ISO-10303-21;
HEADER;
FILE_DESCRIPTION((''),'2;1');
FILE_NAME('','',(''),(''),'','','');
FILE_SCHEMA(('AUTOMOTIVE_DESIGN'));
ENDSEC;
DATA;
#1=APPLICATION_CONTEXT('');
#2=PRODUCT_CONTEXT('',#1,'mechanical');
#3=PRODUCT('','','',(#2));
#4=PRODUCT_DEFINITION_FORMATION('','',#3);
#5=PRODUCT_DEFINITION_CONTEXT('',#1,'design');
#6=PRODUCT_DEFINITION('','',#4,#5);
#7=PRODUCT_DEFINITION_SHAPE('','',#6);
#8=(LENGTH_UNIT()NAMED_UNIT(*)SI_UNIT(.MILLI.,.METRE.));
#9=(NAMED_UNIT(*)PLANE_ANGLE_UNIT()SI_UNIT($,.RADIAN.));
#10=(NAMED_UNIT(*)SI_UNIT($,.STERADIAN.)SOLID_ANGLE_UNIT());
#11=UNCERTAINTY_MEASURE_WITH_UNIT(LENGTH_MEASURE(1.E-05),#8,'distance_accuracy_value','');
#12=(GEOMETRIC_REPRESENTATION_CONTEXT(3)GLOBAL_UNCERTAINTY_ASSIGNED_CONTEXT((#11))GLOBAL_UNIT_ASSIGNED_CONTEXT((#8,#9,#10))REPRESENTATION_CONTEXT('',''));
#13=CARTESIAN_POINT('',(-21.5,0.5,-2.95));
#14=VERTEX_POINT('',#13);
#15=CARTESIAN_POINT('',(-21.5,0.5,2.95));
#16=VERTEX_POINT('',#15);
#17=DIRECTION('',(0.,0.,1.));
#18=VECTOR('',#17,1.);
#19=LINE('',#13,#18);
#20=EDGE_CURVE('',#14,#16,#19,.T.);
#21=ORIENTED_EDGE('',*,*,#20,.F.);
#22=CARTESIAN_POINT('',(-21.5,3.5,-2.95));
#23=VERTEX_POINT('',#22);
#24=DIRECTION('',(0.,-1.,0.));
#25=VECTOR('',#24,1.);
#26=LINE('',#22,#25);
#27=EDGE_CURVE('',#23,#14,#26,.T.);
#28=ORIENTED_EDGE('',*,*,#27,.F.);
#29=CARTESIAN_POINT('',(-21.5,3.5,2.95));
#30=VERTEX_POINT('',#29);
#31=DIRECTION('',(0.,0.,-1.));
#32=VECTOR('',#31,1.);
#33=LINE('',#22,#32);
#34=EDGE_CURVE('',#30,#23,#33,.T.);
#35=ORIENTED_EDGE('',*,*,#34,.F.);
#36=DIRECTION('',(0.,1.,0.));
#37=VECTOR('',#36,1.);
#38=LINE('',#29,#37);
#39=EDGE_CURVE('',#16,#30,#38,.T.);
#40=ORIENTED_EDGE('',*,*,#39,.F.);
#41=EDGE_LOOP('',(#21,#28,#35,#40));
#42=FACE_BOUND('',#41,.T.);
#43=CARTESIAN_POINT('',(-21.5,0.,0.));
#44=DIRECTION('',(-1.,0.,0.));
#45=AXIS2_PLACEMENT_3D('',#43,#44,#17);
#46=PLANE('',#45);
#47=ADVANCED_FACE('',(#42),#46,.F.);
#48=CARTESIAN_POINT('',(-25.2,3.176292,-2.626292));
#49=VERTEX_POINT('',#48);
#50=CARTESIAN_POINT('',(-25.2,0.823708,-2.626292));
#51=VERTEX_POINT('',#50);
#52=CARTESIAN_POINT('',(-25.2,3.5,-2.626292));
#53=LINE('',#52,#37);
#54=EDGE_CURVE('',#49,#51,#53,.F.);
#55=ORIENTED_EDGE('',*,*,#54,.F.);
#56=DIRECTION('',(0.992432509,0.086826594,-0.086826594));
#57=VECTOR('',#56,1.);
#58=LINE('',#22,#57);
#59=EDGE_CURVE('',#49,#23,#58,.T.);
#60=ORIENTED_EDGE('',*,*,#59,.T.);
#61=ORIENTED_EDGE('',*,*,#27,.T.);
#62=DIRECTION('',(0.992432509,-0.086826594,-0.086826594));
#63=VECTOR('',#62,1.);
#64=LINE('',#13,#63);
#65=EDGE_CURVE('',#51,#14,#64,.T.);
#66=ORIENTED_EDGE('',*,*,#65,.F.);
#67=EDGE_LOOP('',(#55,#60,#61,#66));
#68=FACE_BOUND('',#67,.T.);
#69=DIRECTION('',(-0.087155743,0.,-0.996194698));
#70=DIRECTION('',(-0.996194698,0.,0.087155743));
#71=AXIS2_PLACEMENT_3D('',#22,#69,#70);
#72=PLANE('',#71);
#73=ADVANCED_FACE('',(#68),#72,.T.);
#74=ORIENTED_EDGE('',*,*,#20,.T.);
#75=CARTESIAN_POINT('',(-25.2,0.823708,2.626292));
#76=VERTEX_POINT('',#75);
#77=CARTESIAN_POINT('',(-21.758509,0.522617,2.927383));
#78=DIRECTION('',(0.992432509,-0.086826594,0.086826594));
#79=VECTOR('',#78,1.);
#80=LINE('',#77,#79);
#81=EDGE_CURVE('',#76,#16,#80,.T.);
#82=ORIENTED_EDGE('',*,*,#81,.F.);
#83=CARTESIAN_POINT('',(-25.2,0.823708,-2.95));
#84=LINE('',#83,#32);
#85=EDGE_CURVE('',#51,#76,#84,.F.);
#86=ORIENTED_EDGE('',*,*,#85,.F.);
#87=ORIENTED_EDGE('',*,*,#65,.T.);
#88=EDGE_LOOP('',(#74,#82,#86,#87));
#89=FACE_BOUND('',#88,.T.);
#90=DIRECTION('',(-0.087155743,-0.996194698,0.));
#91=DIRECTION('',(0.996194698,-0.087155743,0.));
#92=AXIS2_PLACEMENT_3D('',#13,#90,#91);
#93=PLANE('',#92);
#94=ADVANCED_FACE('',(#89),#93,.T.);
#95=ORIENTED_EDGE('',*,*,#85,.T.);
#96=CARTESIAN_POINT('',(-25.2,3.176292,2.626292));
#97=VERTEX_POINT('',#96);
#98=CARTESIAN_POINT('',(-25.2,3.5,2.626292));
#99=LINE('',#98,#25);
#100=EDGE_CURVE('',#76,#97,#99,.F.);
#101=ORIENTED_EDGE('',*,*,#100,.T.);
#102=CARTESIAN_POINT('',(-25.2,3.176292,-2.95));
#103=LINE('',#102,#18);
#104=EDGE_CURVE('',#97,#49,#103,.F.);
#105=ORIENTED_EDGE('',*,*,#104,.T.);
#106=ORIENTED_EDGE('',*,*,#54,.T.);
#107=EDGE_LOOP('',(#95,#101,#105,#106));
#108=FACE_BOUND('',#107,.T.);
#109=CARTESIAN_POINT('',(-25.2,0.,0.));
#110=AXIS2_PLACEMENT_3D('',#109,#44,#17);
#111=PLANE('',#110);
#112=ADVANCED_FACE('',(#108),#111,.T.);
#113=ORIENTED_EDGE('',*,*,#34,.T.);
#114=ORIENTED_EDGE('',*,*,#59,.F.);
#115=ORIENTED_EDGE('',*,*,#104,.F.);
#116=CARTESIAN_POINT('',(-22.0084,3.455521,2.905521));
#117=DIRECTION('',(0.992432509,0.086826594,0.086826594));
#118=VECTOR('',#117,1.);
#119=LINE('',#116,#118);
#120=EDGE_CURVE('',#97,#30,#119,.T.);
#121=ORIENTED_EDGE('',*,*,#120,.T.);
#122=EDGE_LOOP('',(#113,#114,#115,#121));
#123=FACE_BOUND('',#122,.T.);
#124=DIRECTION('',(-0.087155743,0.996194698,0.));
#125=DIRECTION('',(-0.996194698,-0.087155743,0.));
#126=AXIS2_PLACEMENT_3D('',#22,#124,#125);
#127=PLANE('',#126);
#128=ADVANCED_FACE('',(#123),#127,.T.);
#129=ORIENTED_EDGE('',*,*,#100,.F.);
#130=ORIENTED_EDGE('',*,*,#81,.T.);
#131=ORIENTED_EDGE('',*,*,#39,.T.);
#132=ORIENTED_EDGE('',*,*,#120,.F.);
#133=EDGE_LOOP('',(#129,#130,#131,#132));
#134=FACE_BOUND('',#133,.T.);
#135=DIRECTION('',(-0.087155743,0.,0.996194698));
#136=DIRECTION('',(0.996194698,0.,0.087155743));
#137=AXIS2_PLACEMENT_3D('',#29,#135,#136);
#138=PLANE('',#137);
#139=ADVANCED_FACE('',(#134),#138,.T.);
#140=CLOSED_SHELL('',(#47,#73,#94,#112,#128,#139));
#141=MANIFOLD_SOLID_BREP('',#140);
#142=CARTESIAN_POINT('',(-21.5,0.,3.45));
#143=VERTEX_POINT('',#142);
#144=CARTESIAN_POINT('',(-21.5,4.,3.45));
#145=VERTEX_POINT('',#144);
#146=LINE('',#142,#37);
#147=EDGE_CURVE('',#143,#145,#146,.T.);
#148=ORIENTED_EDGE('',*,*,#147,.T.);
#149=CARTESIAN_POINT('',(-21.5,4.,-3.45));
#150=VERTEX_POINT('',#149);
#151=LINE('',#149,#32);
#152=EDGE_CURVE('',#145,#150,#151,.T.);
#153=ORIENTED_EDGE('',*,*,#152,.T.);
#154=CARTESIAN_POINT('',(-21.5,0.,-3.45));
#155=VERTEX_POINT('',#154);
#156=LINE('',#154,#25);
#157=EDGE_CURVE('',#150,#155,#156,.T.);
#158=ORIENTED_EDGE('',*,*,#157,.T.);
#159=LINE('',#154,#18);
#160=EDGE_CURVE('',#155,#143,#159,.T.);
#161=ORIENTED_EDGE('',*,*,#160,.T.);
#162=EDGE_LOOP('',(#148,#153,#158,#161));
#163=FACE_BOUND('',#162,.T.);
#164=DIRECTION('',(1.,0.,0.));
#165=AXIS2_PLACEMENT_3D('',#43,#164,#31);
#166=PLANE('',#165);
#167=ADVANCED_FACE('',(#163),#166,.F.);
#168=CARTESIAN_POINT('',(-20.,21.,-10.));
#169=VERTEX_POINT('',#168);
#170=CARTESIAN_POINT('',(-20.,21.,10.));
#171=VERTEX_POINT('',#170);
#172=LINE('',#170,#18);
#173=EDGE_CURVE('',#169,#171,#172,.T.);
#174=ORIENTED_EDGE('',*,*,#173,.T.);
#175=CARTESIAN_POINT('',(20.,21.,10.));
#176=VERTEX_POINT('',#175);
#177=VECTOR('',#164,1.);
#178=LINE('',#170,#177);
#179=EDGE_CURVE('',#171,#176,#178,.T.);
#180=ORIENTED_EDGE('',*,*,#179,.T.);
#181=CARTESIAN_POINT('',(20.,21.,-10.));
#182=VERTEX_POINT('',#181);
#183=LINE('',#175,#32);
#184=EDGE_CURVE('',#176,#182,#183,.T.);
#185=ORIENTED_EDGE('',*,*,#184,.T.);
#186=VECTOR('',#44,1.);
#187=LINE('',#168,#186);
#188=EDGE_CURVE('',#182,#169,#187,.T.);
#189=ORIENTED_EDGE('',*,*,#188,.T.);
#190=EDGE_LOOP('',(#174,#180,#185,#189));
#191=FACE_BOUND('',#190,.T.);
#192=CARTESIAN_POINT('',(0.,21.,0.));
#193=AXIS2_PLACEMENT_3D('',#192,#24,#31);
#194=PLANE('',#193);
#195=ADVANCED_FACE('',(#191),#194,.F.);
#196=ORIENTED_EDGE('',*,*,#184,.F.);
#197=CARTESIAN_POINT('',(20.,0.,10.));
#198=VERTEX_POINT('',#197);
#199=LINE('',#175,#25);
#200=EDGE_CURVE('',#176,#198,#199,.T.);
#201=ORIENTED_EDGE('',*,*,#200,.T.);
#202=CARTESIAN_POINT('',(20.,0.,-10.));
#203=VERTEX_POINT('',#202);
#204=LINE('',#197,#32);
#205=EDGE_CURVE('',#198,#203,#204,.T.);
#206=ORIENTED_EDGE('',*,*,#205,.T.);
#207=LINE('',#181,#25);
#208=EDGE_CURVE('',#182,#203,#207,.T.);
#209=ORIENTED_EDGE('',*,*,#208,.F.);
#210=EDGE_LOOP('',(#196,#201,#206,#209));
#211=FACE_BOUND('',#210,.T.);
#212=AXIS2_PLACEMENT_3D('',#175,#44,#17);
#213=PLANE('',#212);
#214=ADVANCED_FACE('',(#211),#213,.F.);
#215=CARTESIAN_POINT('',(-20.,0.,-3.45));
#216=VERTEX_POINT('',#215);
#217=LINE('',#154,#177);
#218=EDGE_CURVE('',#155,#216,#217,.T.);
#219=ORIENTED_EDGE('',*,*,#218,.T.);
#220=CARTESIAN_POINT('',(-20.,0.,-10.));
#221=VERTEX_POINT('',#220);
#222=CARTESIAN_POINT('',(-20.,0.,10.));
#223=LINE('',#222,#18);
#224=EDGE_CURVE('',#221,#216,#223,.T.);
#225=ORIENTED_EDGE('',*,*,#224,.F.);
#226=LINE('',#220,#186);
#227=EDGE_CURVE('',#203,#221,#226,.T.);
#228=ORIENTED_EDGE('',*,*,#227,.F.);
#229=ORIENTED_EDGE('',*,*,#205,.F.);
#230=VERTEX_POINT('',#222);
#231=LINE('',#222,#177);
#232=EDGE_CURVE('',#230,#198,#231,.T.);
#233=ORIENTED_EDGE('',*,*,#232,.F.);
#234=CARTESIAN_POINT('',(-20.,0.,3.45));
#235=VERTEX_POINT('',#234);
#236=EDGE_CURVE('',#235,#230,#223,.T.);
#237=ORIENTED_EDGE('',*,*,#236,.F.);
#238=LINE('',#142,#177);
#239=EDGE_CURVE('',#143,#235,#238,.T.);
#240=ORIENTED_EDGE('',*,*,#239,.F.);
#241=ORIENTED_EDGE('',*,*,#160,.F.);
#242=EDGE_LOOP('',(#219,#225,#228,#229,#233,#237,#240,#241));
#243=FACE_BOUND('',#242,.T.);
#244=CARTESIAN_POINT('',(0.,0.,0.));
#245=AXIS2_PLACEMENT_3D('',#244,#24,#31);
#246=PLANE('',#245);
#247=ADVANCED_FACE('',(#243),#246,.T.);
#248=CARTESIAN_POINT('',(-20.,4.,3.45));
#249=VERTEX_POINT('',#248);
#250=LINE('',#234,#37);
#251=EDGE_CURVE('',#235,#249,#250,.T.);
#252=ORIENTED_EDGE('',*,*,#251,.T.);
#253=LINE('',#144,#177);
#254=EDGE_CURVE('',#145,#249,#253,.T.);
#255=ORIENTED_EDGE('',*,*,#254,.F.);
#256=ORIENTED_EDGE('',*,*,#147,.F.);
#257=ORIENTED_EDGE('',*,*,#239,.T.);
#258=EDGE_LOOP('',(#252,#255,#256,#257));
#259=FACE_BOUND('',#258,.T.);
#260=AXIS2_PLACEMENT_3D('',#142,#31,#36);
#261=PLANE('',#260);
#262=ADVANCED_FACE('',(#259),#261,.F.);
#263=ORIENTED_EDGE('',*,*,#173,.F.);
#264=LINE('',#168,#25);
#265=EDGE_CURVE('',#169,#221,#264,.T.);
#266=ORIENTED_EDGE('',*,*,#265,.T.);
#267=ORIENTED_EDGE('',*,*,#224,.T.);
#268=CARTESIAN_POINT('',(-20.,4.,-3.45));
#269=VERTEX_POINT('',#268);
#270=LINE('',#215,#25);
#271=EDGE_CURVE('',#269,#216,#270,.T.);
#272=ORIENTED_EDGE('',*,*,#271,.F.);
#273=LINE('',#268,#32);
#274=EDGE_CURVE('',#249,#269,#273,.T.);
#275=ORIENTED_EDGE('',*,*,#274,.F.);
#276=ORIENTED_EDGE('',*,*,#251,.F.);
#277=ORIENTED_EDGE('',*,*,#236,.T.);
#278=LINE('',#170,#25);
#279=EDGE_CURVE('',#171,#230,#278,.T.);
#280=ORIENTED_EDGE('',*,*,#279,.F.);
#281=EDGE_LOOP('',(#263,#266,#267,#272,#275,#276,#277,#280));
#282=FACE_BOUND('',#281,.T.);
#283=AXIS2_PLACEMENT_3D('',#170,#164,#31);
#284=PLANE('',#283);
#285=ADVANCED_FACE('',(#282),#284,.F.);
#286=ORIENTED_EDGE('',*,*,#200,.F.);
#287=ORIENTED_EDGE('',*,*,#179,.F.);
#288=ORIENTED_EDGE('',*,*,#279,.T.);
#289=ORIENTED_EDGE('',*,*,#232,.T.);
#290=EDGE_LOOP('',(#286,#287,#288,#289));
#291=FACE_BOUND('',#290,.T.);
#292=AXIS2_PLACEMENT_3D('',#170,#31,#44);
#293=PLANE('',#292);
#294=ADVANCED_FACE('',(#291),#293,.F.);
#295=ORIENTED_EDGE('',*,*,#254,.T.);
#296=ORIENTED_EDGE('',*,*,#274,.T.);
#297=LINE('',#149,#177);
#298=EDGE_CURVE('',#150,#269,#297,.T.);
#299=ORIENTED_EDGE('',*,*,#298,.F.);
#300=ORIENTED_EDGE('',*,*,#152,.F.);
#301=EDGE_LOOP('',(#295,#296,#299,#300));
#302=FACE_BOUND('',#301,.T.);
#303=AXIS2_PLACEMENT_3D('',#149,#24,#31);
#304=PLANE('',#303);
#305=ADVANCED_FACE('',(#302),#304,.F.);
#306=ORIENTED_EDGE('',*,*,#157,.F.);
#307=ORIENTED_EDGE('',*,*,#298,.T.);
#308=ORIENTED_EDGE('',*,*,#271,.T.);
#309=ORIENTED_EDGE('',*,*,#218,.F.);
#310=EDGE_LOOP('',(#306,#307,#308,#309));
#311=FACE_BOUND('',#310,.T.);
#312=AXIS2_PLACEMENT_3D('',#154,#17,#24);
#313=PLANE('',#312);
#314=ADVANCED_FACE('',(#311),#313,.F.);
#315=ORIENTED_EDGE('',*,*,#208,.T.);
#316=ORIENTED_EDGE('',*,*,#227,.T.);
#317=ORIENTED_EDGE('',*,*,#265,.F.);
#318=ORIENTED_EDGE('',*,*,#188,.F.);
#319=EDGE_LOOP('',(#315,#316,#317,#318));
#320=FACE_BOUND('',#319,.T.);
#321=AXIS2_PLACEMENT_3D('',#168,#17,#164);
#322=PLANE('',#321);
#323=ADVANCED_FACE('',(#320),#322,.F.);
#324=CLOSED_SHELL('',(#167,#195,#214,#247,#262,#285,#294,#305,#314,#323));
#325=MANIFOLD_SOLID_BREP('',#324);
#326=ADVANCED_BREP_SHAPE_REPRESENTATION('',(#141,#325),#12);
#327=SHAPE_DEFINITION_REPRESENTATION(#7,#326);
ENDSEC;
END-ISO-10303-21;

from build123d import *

# Parameters (mm, degrees)
CROQUIS_BASE_W          = 40
CROQUIS_BASE_H          = 20
SALIENTE_EXTRUIR1_DEPTH = 21
CROQUIS_SOCKET_W        = 6.9
CROQUIS_SOCKET_H        = 4
SALIENTE_EXTRUIR2_DEPTH = 1.5
CROQUIS_SOCKET_2_W      = 5.9
CROQUIS_SOCKET_2_H      = 3
SALIENTE_EXTRUIR4_DEPTH = 3.7
SALIENTE_EXTRUIR4_TAPER = 5


with BuildPart() as part:
    # Croquis base → Saliente-Extruir1 (new body)
    with BuildSketch(Plane(origin=(0, 0, 0), x_dir=(1, 0, 0), z_dir=(0, 1, 0))):
        Rectangle(CROQUIS_BASE_W, CROQUIS_BASE_H)
    extrude(amount=SALIENTE_EXTRUIR1_DEPTH)

    # Croquis socket → Saliente-Extruir2 (add)
    with BuildSketch(Plane.ZY.offset(20)):
        with Locations((0, 2)):
            Rectangle(CROQUIS_SOCKET_W, CROQUIS_SOCKET_H)
    extrude(amount=SALIENTE_EXTRUIR2_DEPTH)


with BuildPart() as body_2:
    # Croquis socket 2 → Saliente-Extruir4 (new body)
    with BuildSketch(Plane.ZY.offset(21.5)):
        with Locations((0, 2)):
            Rectangle(CROQUIS_SOCKET_2_W, CROQUIS_SOCKET_2_H)
    extrude(amount=SALIENTE_EXTRUIR4_DEPTH, taper=SALIENTE_EXTRUIR4_TAPER)


solid = Compound([part.part, body_2.part])
